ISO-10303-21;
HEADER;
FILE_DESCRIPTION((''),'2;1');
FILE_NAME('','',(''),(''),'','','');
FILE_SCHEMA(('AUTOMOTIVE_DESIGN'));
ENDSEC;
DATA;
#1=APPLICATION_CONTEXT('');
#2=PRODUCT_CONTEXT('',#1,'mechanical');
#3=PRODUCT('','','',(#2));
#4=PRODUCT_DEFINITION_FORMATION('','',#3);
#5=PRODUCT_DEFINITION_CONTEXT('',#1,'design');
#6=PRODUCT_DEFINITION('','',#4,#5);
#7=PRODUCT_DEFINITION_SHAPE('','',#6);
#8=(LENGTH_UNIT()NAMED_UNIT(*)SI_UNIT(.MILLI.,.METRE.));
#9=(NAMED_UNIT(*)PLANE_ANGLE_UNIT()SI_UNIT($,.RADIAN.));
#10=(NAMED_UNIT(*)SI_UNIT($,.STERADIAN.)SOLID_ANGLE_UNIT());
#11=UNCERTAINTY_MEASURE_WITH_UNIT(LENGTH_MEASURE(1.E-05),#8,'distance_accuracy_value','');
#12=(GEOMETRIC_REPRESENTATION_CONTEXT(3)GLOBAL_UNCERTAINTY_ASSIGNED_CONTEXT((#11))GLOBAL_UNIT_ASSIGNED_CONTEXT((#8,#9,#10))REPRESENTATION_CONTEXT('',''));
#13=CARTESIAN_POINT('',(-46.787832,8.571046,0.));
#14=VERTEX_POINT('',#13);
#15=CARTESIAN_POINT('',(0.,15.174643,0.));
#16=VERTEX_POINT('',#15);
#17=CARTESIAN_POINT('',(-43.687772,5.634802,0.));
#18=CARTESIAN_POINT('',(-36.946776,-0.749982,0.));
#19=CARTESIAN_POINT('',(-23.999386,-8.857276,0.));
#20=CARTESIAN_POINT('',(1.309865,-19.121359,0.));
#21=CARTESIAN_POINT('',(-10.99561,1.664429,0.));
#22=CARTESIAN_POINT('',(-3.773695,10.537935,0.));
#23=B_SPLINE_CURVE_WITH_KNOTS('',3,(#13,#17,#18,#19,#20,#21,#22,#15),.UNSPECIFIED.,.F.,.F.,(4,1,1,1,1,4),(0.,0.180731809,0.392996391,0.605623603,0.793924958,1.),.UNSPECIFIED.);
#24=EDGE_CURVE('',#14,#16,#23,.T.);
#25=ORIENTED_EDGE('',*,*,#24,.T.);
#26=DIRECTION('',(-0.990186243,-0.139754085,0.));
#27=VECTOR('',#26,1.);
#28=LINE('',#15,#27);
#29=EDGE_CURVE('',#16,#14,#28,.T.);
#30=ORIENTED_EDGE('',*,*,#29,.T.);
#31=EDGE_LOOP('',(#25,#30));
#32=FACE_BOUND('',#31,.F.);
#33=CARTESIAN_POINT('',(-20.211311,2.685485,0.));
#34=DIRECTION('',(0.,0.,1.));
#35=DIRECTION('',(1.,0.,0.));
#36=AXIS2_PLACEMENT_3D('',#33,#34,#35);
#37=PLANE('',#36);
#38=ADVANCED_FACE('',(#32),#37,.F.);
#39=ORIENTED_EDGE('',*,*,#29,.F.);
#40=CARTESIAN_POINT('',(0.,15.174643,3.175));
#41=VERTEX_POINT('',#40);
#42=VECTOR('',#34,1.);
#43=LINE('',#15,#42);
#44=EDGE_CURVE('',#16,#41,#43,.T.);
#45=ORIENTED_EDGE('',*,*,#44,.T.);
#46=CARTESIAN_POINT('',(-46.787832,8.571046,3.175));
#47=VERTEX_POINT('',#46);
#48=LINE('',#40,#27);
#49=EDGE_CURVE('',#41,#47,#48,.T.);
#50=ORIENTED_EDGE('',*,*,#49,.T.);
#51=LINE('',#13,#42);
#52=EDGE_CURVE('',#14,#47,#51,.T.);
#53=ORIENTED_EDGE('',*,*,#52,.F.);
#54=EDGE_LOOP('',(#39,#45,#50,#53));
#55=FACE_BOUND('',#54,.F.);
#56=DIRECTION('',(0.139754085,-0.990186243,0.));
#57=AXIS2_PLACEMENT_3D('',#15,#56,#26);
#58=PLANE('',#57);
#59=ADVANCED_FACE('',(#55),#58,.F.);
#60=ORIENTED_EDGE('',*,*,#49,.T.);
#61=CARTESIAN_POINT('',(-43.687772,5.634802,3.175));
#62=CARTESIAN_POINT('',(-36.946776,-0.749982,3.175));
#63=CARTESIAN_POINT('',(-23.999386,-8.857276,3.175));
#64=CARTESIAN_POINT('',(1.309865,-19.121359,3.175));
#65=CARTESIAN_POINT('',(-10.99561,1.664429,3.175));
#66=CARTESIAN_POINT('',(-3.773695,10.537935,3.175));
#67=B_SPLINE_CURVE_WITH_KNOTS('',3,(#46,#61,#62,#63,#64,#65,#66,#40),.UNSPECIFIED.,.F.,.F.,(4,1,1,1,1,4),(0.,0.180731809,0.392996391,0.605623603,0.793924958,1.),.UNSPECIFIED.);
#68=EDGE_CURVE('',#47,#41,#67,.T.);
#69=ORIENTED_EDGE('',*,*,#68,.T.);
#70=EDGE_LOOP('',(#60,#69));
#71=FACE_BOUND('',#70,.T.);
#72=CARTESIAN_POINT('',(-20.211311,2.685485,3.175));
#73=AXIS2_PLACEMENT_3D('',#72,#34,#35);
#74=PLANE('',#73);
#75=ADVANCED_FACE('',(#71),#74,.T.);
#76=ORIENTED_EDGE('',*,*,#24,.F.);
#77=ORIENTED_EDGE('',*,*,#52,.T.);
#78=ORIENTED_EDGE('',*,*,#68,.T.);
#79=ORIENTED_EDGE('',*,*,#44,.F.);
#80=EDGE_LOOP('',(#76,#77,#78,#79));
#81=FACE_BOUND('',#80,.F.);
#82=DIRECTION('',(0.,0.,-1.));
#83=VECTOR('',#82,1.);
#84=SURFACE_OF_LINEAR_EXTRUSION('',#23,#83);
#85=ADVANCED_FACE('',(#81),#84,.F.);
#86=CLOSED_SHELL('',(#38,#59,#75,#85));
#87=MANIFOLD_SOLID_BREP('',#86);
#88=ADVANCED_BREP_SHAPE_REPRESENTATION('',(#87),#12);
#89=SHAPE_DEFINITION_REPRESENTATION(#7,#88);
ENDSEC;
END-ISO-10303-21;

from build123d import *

# Parameters (mm, degrees)
F1_DEPTH = 3.175


with BuildPart() as f1:
    # F0 (on Top) → F1 (new body)
    with BuildSketch(Plane.XY):
        with BuildLine():
            Line((0, 15.1746431366), (-46.7878319323, 8.5710464045))
            add(Edge.make_bspline(
                [(-46.7878319323, 8.5710464045), (-43.6877719115, 5.6348018829), (-36.9467759075, -0.749981784), (-23.9993855301, -8.8572757825), (1.3098648149, -19.1213590434), (-10.9956100262, 1.6644286131), (-3.7736953357, 10.5379350858), (0, 15.1746431366)],
                knots=[0, 0, 0, 0, 0.1807318089, 0.3929963915, 0.6056236032, 0.7939249585, 1, 1, 1, 1], degree=3))
        make_face()
    extrude(amount=F1_DEPTH)


solid = f1.part
